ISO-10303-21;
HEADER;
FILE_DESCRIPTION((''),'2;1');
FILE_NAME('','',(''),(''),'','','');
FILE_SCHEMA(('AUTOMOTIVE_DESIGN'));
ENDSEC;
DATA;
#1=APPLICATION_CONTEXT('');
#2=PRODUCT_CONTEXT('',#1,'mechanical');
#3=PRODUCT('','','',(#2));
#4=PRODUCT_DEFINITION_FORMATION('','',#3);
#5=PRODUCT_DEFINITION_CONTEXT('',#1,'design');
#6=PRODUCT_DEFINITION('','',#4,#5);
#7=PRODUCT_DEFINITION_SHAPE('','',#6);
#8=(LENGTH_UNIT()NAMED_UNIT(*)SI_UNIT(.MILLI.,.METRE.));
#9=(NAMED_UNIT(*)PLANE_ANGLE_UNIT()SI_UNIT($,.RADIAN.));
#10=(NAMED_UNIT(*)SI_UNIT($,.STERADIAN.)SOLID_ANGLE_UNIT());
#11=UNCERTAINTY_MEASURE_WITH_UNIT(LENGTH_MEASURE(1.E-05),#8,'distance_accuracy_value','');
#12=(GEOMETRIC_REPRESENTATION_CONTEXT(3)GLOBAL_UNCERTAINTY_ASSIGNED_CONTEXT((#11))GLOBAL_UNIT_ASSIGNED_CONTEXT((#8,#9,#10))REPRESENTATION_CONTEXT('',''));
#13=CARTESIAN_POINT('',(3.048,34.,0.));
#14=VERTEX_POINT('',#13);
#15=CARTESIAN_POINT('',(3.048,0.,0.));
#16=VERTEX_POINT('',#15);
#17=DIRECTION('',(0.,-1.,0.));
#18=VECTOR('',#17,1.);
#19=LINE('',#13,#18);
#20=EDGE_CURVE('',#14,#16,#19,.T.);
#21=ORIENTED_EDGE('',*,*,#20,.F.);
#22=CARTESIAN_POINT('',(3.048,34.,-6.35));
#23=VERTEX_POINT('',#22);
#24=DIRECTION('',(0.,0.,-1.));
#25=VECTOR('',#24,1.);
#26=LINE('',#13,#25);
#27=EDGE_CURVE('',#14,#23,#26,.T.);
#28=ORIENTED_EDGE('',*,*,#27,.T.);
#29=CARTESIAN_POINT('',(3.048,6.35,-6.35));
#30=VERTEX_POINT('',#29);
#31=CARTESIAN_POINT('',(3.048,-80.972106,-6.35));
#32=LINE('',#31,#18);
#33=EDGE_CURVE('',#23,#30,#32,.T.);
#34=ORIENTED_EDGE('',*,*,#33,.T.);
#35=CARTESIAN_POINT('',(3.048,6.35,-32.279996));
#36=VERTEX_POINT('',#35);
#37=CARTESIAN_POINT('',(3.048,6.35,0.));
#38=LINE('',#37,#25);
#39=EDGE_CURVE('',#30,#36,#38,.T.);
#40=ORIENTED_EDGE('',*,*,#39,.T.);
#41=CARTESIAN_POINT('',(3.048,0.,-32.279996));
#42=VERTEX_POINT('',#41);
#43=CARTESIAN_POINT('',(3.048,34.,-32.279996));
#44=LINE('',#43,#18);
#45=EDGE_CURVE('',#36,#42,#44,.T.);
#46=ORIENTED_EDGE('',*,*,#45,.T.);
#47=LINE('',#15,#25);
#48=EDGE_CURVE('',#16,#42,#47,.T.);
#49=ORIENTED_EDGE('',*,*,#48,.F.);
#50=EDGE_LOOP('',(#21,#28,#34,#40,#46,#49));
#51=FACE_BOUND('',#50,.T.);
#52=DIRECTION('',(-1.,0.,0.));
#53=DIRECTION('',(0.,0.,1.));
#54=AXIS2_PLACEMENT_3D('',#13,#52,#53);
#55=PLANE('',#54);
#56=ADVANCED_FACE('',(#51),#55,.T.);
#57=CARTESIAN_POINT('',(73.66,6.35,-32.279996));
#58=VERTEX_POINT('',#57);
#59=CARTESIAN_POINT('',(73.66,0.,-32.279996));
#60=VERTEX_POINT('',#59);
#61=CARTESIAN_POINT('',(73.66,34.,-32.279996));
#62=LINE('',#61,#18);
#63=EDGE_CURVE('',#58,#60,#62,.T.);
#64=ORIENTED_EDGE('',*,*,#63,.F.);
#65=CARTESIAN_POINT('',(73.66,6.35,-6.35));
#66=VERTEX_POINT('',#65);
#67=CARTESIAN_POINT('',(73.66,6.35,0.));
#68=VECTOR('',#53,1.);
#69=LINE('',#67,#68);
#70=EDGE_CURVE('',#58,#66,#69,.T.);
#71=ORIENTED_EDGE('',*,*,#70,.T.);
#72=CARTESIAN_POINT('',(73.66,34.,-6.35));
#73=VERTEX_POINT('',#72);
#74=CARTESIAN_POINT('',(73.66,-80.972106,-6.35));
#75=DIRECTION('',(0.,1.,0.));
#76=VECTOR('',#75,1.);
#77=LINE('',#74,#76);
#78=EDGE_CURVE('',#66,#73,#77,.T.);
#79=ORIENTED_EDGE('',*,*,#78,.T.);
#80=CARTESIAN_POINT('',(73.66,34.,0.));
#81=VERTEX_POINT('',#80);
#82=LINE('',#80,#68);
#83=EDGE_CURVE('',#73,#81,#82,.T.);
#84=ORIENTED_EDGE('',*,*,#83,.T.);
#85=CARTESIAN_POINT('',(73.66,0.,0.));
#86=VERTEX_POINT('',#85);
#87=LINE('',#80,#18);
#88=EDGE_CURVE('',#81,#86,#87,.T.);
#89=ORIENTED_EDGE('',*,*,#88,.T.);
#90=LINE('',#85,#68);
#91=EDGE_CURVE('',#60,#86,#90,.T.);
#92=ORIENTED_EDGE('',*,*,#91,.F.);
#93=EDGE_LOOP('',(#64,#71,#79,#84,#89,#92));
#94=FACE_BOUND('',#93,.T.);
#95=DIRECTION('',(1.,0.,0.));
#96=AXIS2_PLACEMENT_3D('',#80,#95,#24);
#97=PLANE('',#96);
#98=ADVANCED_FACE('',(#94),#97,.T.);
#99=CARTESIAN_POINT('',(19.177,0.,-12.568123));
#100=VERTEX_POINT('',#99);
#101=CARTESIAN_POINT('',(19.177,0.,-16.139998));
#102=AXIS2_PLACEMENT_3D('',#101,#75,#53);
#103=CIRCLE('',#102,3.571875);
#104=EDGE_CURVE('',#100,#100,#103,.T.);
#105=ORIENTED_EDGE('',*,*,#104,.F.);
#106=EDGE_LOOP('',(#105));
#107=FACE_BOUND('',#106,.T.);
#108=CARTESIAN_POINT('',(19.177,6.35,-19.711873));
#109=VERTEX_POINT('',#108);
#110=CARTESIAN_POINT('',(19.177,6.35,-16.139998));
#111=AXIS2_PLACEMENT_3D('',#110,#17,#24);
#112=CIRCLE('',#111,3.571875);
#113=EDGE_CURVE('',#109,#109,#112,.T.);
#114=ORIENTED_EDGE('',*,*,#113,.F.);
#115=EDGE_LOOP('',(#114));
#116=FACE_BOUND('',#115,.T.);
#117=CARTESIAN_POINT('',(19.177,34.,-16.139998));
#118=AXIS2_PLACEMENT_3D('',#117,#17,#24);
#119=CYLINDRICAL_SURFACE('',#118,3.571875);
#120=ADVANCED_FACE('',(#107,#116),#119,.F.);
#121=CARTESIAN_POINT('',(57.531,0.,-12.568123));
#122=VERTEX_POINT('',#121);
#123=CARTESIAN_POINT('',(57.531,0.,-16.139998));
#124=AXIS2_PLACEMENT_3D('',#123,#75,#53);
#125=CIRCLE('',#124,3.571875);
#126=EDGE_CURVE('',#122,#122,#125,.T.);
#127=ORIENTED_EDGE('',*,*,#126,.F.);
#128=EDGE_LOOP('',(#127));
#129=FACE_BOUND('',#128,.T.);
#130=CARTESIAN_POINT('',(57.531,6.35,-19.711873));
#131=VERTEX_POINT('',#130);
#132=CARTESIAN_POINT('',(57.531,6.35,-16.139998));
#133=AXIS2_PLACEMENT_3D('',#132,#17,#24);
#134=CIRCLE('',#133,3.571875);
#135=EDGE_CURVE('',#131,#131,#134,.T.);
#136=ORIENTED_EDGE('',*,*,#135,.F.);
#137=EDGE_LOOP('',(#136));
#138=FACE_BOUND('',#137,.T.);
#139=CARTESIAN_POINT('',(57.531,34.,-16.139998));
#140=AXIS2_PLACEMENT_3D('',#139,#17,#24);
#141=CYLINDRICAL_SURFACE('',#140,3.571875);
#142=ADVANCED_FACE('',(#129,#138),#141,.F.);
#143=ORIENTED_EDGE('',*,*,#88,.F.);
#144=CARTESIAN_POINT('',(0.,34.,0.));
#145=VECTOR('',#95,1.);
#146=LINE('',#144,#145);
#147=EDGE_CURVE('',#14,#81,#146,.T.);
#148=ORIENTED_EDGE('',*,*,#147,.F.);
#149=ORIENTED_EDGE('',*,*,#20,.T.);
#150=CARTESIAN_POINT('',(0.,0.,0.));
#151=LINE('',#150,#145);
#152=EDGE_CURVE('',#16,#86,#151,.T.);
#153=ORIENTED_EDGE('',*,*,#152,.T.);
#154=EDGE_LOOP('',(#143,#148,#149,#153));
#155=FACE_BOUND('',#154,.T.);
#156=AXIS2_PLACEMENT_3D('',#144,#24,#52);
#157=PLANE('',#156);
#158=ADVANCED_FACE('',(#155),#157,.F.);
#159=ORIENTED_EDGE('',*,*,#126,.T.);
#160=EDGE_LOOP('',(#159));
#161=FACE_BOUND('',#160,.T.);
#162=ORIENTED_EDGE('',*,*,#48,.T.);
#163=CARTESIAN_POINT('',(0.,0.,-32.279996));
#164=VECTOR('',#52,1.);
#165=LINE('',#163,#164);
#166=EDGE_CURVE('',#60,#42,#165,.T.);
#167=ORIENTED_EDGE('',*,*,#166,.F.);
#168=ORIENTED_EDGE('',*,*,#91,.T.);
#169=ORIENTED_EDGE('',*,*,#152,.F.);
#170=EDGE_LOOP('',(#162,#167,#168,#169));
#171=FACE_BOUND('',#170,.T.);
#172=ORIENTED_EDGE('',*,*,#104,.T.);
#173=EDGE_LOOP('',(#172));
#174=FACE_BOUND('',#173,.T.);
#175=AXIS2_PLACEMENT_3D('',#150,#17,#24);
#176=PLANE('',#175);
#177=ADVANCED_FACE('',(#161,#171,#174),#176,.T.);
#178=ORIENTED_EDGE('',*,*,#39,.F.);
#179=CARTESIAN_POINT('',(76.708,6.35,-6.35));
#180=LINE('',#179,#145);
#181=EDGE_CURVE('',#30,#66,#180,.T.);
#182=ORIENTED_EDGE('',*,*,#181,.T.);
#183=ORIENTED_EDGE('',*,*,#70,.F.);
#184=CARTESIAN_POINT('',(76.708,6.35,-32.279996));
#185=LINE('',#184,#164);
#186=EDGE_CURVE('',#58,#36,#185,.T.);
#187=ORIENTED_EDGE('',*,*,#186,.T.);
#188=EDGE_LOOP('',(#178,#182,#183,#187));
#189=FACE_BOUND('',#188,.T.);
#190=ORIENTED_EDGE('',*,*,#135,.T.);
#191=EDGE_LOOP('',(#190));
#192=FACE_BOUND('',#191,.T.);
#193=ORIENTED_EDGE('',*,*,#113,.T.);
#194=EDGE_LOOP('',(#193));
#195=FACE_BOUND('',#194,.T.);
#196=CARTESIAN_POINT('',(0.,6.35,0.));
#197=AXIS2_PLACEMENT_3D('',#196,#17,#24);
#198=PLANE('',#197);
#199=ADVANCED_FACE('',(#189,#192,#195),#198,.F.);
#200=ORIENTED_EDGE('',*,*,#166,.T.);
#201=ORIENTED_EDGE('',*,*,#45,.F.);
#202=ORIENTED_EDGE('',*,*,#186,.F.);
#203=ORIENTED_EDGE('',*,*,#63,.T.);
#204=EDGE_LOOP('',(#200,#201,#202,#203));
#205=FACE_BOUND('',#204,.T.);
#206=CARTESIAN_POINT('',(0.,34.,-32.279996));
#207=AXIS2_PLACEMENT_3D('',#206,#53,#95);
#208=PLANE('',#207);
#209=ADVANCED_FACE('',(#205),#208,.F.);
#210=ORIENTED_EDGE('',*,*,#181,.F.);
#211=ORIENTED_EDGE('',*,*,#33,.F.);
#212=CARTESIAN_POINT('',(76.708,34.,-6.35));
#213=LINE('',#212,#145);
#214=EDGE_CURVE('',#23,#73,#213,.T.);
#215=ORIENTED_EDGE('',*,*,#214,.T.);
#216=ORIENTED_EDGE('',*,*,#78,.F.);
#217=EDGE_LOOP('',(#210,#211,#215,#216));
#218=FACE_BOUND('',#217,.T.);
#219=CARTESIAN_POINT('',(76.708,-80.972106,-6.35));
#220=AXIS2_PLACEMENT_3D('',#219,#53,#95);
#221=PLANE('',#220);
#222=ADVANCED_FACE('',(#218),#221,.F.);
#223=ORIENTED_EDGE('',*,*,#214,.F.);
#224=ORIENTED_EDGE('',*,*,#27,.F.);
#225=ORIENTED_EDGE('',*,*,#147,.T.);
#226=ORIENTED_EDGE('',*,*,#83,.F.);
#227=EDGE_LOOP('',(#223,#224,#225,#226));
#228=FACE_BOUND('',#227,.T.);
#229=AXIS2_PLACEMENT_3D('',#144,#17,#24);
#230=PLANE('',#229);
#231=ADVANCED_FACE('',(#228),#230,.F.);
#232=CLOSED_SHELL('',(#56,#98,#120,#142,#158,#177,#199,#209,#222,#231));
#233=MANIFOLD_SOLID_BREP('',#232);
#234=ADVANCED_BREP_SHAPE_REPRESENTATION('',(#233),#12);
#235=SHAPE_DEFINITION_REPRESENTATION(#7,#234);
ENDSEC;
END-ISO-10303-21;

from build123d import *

# Parameters (mm, degrees)
SKETCH1_W               = 76.708
SKETCH1_H               = 32.2799964
SKETCH1_R               = 3.571875
MAIN_BODY_DEPTH         = 34
SKETCH13_W              = 76.708
SKETCH13_H              = 25.9299964
CUT_EXTRUDE1_DEPTH      = 27.65
SKETCH14_OUTSIDE_W      = 96.688
SKETCH14_OUTSIDE_H      = 52.26
SKETCH14_OUTSIDE_W_2    = 70.612
SKETCH14_OUTSIDE_H_2    = 32.2799964
CUT_EXTRUDE2_DEPTH      = 1
CUT_EXTRUDE2_DEPTH_BACK = 35


with BuildPart() as part:
    # Sketch1 → Main Body (new body)
    with BuildSketch(Plane(origin=(0, 0, 0), x_dir=(1, 0, 0), z_dir=(0, 1, 0))):
        with Locations((38.354, 16.1399982)):
            Rectangle(SKETCH1_W, SKETCH1_H)
        with Locations((19.177, 16.1399982)):
            Circle(SKETCH1_R, mode=Mode.SUBTRACT)
        with Locations((57.531, 16.1399982)):
            Circle(SKETCH1_R, mode=Mode.SUBTRACT)
    extrude(amount=MAIN_BODY_DEPTH)

    # Sketch13 → Cut-Extrude1 (cut)
    with BuildSketch(Plane(origin=(0, 34, 0), x_dir=(1, 0, 0), z_dir=(0, 1, 0))):
        with Locations((38.354, 19.3149982)):
            Rectangle(SKETCH13_W, SKETCH13_H)
    extrude(amount=-CUT_EXTRUDE1_DEPTH, mode=Mode.SUBTRACT)

    # Sketch14 outside → Cut-Extrude2 (cut, two sides)
    with BuildSketch(Plane.XZ) as cut_extrude2_sk:
        with Locations((38.354, -16.14)):
            Rectangle(SKETCH14_OUTSIDE_W, SKETCH14_OUTSIDE_H)
        with Locations((38.354, -16.1399982)):
            Rectangle(SKETCH14_OUTSIDE_W_2, SKETCH14_OUTSIDE_H_2, mode=Mode.SUBTRACT)
    extrude(amount=CUT_EXTRUDE2_DEPTH, mode=Mode.SUBTRACT)
    extrude(cut_extrude2_sk.sketch, amount=-CUT_EXTRUDE2_DEPTH_BACK, mode=Mode.SUBTRACT)


solid = part.part
